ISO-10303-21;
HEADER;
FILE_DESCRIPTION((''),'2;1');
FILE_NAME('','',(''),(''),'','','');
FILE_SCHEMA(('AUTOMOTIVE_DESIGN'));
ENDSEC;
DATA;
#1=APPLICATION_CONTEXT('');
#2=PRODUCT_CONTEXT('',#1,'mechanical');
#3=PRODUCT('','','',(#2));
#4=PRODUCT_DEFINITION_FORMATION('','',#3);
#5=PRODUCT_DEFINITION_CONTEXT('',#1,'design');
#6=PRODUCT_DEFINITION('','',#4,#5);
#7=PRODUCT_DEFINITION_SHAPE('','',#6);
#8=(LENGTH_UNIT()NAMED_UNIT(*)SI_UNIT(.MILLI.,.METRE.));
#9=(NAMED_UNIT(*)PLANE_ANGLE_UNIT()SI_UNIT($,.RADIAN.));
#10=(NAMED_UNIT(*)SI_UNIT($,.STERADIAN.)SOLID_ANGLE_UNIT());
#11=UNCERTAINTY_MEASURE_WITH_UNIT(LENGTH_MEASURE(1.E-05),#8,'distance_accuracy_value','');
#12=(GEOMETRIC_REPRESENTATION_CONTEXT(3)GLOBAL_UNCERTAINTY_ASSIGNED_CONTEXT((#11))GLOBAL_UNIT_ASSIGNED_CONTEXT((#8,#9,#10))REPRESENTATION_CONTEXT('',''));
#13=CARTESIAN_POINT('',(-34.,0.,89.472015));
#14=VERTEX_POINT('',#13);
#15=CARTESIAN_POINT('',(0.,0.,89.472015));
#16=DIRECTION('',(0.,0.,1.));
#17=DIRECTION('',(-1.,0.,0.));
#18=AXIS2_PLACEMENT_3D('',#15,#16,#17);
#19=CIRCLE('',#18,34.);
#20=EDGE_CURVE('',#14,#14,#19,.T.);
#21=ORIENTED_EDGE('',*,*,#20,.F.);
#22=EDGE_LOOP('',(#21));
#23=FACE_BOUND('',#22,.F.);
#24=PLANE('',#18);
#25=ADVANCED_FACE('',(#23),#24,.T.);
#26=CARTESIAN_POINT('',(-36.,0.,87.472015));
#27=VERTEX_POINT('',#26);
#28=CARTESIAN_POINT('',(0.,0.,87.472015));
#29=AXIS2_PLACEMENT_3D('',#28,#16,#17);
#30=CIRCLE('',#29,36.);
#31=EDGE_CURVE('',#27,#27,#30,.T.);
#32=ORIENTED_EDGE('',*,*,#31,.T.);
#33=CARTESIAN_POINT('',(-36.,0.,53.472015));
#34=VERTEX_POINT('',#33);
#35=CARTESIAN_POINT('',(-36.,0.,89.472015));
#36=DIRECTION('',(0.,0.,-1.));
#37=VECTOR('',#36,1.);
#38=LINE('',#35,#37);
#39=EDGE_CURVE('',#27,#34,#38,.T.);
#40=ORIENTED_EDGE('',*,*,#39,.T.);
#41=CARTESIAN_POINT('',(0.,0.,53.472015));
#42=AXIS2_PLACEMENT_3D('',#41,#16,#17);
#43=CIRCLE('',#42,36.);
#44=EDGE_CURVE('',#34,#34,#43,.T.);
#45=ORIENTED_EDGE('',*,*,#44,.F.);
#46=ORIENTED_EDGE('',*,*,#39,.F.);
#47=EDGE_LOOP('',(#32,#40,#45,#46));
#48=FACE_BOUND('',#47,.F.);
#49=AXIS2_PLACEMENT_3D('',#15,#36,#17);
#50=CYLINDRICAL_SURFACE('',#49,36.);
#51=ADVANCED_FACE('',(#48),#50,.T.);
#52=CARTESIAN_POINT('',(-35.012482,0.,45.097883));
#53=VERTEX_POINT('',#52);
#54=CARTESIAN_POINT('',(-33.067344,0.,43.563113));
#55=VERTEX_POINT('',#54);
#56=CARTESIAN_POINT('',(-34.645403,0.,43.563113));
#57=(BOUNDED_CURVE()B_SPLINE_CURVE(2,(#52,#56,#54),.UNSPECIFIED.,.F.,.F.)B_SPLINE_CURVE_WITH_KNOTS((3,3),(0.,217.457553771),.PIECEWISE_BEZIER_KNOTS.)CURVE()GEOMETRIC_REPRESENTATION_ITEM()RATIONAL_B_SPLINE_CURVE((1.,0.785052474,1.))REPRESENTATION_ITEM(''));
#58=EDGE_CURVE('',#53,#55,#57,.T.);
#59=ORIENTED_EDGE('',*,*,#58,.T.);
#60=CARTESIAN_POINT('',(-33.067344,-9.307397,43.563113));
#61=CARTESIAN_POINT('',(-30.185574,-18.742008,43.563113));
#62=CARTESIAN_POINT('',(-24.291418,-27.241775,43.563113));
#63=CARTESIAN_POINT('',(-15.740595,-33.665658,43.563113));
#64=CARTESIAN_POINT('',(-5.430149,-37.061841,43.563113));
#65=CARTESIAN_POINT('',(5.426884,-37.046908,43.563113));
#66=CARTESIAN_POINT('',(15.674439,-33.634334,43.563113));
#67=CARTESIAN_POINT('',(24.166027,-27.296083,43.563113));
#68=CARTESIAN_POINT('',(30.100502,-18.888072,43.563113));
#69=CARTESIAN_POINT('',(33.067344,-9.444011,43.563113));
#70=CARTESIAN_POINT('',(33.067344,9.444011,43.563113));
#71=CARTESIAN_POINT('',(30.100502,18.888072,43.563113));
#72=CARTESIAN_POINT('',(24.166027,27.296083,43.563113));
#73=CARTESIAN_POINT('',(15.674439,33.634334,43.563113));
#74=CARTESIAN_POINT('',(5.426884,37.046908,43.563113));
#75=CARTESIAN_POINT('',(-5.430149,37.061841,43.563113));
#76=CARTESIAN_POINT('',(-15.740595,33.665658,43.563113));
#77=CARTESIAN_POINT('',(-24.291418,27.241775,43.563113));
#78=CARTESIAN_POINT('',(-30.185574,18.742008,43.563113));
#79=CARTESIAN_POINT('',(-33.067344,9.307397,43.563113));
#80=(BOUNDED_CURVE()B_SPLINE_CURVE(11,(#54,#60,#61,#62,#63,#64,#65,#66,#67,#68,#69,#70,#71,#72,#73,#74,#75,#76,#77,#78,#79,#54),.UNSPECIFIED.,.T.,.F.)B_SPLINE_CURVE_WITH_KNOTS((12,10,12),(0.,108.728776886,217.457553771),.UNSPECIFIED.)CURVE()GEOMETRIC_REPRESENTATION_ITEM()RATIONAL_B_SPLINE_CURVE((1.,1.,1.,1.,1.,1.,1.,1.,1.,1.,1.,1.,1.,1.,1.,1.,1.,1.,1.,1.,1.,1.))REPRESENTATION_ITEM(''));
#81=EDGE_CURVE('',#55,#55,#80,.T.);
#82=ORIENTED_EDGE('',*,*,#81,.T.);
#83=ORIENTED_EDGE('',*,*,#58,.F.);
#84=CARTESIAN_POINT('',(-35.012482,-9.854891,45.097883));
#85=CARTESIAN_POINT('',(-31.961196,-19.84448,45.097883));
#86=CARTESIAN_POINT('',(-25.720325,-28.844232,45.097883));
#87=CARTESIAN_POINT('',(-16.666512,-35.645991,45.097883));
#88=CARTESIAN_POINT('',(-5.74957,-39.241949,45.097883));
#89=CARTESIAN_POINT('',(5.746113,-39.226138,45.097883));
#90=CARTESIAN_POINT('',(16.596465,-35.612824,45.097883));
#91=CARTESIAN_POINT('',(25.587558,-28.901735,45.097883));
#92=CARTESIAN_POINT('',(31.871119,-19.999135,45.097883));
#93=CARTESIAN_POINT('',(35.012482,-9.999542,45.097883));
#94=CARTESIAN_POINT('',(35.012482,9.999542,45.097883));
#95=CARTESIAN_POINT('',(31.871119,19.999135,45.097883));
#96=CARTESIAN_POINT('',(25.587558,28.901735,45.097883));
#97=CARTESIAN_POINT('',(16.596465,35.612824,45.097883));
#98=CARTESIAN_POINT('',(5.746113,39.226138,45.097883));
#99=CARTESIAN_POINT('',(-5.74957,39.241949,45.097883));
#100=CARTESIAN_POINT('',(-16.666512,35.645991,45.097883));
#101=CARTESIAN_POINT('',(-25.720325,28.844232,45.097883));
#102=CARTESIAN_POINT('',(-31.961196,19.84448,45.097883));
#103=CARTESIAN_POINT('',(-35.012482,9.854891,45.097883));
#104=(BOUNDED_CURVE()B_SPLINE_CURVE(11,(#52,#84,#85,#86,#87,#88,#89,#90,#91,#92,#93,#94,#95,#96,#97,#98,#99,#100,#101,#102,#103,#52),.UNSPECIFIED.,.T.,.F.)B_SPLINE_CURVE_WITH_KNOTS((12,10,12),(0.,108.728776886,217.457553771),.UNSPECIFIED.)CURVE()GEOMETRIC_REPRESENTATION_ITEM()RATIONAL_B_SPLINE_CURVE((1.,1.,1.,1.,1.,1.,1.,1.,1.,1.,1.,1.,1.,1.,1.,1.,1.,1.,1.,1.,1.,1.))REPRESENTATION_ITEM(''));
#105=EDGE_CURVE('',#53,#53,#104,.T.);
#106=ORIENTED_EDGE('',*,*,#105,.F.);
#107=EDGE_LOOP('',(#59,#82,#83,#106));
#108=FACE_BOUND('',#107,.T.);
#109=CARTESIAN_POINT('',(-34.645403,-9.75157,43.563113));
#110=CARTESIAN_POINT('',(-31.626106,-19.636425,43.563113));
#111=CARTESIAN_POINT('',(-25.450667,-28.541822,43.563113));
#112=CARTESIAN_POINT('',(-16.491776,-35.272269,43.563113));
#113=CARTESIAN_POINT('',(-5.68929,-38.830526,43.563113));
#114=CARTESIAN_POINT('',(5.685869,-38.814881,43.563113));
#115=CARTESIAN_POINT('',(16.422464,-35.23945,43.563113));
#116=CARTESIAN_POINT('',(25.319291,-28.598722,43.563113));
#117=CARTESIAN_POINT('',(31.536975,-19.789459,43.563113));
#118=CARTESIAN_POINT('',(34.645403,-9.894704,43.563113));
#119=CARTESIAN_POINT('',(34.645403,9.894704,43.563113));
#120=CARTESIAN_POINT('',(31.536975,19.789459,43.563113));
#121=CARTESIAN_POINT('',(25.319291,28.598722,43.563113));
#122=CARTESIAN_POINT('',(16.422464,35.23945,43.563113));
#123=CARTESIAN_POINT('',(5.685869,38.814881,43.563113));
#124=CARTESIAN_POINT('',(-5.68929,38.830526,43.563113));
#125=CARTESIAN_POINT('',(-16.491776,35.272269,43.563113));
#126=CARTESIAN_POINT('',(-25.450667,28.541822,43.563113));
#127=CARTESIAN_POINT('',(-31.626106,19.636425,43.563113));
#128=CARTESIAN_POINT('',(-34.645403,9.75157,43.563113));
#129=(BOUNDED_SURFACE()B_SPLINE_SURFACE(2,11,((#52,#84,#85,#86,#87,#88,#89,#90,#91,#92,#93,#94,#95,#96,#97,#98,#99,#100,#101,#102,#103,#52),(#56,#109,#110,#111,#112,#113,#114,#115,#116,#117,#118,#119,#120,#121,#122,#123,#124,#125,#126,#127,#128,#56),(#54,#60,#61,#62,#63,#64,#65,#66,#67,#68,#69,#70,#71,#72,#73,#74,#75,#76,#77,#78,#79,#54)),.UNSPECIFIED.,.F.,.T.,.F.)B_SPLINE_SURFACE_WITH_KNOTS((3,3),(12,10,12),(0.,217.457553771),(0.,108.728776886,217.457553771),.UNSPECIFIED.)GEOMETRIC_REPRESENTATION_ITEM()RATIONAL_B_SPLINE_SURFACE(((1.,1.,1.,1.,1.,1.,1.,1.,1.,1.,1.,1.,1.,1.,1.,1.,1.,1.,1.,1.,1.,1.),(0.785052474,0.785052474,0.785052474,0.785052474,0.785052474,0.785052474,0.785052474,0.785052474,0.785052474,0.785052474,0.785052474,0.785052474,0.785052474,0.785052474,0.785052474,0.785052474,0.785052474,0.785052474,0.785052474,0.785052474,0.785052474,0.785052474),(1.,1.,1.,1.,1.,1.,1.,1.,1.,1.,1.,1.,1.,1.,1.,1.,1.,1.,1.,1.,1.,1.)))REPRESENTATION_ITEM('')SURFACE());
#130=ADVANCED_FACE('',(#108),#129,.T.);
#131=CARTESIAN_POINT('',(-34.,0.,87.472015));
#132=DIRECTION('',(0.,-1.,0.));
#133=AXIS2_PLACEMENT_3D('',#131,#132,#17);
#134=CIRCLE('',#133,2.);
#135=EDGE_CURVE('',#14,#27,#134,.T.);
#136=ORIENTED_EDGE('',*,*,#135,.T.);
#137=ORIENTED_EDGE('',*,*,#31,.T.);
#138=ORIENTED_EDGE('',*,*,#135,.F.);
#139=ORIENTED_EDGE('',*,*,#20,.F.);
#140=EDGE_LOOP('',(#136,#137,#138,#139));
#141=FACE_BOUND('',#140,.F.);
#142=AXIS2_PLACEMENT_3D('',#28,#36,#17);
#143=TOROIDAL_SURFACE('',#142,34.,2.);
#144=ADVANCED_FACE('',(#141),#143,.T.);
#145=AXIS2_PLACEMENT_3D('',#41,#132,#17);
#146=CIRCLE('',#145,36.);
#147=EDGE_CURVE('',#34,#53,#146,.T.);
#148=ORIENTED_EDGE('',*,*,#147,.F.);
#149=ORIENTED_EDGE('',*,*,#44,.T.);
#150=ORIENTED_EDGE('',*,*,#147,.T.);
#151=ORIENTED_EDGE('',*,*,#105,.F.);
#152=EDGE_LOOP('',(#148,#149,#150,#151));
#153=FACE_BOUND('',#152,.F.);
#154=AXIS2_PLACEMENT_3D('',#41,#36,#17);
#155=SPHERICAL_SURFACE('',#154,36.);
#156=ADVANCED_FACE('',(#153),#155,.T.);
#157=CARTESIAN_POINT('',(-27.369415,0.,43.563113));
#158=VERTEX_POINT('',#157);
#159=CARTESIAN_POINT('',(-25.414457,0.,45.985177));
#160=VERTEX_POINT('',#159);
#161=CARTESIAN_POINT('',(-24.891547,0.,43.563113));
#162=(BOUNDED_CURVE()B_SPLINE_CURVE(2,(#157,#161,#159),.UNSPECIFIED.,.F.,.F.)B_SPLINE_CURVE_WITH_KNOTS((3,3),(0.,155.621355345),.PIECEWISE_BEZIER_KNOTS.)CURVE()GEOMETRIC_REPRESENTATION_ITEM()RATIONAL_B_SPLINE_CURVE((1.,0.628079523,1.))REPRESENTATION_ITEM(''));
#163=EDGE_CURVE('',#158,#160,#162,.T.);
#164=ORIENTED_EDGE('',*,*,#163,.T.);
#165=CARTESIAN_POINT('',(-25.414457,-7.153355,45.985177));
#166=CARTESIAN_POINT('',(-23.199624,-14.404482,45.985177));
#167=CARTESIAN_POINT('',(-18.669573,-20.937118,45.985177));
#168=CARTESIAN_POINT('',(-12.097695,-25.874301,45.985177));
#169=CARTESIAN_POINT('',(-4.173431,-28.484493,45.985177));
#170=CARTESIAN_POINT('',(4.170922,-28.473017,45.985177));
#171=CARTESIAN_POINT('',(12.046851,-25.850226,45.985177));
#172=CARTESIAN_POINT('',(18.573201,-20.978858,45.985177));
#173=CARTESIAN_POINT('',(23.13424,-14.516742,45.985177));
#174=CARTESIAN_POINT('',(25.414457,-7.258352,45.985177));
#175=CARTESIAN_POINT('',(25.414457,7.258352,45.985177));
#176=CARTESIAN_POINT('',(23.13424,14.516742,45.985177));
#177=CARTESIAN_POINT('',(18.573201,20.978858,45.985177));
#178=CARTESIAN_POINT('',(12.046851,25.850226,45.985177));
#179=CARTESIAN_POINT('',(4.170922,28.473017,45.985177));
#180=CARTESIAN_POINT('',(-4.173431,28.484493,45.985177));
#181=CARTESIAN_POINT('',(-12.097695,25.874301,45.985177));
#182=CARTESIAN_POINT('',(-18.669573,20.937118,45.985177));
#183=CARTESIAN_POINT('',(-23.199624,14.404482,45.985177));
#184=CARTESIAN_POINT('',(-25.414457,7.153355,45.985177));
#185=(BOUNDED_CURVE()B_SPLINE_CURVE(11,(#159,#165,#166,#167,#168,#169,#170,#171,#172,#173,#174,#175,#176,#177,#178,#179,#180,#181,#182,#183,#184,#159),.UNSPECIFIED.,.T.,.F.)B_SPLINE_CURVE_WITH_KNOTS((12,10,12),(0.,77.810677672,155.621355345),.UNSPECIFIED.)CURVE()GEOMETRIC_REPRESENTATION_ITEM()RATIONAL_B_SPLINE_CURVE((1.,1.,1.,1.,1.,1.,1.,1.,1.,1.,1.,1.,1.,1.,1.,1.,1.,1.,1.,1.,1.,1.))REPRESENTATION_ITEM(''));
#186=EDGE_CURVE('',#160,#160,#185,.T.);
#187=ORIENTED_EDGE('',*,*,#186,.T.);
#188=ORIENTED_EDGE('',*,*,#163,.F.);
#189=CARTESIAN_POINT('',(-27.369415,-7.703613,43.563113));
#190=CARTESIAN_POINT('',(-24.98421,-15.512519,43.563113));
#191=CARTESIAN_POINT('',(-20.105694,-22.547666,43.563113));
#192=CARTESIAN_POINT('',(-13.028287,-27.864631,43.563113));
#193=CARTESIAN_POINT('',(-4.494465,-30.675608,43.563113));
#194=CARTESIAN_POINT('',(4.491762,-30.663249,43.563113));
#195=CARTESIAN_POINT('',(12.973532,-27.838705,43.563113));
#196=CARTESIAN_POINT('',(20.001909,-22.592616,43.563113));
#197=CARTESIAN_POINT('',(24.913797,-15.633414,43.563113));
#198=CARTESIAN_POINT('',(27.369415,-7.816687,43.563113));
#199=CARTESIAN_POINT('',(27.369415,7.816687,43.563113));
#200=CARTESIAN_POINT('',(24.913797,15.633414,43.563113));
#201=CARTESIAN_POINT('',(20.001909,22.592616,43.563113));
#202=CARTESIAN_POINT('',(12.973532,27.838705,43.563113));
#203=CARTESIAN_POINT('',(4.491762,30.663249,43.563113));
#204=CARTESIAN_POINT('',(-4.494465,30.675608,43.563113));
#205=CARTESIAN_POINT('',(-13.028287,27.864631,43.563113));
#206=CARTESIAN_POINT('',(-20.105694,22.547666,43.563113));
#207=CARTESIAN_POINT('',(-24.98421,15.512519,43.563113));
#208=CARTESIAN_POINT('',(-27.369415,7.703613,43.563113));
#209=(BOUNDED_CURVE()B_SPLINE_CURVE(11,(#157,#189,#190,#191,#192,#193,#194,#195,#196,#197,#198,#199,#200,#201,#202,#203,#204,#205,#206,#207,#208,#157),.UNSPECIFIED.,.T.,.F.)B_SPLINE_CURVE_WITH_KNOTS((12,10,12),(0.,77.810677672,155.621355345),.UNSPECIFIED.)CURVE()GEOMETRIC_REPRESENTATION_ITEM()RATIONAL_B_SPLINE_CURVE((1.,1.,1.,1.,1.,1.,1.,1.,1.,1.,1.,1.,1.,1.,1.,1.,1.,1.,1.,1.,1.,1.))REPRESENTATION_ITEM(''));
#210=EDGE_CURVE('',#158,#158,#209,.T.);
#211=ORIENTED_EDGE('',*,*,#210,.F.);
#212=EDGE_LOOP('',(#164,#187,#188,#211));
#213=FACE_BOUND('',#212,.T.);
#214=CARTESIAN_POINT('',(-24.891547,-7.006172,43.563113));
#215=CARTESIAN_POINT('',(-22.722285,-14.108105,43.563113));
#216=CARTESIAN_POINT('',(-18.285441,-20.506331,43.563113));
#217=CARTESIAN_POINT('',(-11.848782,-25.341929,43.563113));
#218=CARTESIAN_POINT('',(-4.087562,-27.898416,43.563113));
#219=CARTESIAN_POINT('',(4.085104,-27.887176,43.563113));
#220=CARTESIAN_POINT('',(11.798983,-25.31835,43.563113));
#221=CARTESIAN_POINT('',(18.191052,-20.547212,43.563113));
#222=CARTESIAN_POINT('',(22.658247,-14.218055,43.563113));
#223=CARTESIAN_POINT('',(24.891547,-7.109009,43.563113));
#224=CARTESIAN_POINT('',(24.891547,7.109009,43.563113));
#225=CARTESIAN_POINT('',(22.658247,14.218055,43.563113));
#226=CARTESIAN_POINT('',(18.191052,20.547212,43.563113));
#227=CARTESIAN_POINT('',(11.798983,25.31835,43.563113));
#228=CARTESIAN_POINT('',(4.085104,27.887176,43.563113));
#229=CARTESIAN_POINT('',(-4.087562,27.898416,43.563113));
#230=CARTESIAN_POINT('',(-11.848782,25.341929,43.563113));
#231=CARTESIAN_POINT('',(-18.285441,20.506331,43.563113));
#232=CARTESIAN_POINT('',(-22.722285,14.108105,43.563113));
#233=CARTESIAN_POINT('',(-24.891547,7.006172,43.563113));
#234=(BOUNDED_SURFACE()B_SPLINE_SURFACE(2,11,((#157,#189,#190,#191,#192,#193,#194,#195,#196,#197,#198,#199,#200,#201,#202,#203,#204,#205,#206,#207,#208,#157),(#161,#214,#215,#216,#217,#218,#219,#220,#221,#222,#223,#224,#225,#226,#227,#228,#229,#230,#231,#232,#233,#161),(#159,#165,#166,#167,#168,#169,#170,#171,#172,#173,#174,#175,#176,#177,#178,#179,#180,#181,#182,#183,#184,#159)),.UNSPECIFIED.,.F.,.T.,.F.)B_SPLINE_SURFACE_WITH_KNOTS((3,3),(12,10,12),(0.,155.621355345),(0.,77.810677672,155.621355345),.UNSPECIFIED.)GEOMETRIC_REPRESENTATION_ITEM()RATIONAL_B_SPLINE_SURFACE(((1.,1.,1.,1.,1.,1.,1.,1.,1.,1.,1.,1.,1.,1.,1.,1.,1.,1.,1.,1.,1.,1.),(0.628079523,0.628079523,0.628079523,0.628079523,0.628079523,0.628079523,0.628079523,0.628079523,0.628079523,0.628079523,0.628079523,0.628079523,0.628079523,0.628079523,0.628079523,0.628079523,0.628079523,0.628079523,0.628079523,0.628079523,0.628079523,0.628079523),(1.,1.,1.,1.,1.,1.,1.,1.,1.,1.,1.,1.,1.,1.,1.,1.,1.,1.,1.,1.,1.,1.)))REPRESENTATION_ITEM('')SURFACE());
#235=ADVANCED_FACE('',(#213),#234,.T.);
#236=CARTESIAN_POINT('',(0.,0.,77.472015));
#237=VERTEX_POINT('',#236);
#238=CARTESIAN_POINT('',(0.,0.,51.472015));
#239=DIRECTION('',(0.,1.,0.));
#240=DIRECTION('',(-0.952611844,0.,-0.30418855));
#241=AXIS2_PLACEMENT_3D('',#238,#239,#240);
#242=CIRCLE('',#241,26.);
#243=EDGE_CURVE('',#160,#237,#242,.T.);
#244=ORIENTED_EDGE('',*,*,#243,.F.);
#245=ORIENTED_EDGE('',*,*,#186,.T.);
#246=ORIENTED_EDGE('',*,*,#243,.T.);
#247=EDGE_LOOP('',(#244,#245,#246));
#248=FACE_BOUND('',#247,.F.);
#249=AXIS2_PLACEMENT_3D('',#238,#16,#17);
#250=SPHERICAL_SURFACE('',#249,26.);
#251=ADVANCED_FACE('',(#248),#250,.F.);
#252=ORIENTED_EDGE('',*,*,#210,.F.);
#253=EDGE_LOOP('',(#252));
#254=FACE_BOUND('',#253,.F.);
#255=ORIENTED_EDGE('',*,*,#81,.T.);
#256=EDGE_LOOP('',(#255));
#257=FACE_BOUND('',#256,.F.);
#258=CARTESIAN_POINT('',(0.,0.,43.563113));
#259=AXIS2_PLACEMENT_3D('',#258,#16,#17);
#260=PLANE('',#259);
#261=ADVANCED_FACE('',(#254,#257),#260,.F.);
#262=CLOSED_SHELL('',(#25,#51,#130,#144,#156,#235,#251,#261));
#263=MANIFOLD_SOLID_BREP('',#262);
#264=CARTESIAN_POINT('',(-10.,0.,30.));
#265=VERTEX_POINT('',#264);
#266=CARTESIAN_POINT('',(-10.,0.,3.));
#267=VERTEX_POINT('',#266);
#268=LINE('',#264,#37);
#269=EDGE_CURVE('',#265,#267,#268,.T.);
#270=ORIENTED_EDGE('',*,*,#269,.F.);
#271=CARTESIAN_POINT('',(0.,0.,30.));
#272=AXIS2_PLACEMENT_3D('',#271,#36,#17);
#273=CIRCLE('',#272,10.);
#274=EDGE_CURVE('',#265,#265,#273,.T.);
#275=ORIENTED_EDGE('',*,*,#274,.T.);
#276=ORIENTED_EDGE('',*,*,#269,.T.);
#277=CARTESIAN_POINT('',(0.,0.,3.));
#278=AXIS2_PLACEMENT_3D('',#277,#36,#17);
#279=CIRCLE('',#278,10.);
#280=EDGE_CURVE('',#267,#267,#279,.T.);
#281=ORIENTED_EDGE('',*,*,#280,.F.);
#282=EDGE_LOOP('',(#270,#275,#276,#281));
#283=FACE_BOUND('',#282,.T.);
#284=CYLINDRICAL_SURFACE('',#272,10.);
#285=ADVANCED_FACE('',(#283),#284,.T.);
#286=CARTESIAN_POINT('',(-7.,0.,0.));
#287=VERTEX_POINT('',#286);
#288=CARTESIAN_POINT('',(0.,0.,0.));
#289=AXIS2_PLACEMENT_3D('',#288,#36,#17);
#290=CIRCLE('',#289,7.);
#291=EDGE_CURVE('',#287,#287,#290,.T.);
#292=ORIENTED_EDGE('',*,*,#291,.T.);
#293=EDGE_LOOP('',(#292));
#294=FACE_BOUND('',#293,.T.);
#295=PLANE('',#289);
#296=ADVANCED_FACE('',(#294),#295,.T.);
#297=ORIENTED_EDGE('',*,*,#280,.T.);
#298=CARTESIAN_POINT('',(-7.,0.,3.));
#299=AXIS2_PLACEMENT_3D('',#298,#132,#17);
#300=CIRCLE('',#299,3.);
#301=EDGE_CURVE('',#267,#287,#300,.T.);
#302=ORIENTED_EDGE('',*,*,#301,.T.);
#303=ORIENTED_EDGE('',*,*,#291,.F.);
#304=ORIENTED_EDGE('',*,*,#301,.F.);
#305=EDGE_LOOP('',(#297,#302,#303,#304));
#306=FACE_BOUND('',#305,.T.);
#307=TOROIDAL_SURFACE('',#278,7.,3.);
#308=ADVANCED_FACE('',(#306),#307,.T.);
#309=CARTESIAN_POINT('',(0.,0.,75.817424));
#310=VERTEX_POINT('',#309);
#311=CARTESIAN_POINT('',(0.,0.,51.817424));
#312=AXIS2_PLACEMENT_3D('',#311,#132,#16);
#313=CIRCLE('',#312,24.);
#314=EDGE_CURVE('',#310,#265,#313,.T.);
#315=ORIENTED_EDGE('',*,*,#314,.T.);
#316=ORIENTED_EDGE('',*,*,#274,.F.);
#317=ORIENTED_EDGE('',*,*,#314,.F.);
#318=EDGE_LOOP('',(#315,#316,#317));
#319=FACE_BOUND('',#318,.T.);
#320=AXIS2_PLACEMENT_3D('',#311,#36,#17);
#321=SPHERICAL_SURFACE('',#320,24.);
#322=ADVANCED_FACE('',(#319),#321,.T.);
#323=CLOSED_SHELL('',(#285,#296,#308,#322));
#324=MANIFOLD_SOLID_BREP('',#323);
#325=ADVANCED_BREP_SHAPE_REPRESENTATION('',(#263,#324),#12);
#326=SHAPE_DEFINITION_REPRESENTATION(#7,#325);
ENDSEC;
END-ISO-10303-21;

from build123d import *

# Parameters (mm, degrees)
F2_R = 3
F5_R = 2
F6_R = 2


with BuildPart() as f1:
    # F0 (on Front) → F1 (revolve)
    with BuildSketch(Plane.XZ):
        with BuildLine():
            Line((-10, 30), (-10, 0))
            Line((-10, 0), (0, 0))
            Line((0, 0), (0, 75.8174242293))
            ThreePointArc((0, 75.8174242293), (-23.448008247, 56.9351296964), (-10, 30))
        make_face()
    revolve(axis=Axis((0, 0, 37.9087121146), (0, 0, -1)))

    # F2
    f2_edges = [f1.edges().sort_by_distance(p)[0] for p in [
        (10, 0, 0),
    ]]
    fillet(f2_edges, radius=F2_R)


with BuildPart() as f4:
    # F3 (on Front) → F4 (revolve)
    with BuildSketch(Plane.XZ):
        with BuildLine():
            ThreePointArc((-24.7679079538, 43.5631129518), (-20.9956121583, 66.8077340189), (0, 77.472015252))
            Line((0, 77.472015252), (0, 89.472015252))
            Line((0, 89.472015252), (-36, 89.472015252))
            Line((-36, 89.472015252), (-36, 53.472015252))
            ThreePointArc((-36, 53.472015252), (-35.6506662311, 48.4690164231), (-34.6094445954, 43.5631129518))
            Line((-34.6094445954, 43.5631129518), (-26.9140184811, 43.5631129518))
            Line((-26.9140184811, 43.5631129518), (-24.7679079538, 43.5631129518))
        make_face()
    revolve(axis=Axis((0, 0, 59.5175641019), (0, 0, 1)))

    # F5
    f5_edges = [f4.edges().sort_by_distance(p)[0] for p in [
        (36, 0, 53.472015),
        (34.609445, 0, 43.563113),
        (-35.650666, 0, 48.469016),
        (36, 0, 89.472015),
    ]]
    fillet(f5_edges, radius=F5_R)

    # F6
    f6_edges = [f4.edges().sort_by_distance(p)[0] for p in [
        (24.767908, 0, 43.563113),
    ]]
    fillet(f6_edges, radius=F6_R)


solid = Compound([f1.part, f4.part])
